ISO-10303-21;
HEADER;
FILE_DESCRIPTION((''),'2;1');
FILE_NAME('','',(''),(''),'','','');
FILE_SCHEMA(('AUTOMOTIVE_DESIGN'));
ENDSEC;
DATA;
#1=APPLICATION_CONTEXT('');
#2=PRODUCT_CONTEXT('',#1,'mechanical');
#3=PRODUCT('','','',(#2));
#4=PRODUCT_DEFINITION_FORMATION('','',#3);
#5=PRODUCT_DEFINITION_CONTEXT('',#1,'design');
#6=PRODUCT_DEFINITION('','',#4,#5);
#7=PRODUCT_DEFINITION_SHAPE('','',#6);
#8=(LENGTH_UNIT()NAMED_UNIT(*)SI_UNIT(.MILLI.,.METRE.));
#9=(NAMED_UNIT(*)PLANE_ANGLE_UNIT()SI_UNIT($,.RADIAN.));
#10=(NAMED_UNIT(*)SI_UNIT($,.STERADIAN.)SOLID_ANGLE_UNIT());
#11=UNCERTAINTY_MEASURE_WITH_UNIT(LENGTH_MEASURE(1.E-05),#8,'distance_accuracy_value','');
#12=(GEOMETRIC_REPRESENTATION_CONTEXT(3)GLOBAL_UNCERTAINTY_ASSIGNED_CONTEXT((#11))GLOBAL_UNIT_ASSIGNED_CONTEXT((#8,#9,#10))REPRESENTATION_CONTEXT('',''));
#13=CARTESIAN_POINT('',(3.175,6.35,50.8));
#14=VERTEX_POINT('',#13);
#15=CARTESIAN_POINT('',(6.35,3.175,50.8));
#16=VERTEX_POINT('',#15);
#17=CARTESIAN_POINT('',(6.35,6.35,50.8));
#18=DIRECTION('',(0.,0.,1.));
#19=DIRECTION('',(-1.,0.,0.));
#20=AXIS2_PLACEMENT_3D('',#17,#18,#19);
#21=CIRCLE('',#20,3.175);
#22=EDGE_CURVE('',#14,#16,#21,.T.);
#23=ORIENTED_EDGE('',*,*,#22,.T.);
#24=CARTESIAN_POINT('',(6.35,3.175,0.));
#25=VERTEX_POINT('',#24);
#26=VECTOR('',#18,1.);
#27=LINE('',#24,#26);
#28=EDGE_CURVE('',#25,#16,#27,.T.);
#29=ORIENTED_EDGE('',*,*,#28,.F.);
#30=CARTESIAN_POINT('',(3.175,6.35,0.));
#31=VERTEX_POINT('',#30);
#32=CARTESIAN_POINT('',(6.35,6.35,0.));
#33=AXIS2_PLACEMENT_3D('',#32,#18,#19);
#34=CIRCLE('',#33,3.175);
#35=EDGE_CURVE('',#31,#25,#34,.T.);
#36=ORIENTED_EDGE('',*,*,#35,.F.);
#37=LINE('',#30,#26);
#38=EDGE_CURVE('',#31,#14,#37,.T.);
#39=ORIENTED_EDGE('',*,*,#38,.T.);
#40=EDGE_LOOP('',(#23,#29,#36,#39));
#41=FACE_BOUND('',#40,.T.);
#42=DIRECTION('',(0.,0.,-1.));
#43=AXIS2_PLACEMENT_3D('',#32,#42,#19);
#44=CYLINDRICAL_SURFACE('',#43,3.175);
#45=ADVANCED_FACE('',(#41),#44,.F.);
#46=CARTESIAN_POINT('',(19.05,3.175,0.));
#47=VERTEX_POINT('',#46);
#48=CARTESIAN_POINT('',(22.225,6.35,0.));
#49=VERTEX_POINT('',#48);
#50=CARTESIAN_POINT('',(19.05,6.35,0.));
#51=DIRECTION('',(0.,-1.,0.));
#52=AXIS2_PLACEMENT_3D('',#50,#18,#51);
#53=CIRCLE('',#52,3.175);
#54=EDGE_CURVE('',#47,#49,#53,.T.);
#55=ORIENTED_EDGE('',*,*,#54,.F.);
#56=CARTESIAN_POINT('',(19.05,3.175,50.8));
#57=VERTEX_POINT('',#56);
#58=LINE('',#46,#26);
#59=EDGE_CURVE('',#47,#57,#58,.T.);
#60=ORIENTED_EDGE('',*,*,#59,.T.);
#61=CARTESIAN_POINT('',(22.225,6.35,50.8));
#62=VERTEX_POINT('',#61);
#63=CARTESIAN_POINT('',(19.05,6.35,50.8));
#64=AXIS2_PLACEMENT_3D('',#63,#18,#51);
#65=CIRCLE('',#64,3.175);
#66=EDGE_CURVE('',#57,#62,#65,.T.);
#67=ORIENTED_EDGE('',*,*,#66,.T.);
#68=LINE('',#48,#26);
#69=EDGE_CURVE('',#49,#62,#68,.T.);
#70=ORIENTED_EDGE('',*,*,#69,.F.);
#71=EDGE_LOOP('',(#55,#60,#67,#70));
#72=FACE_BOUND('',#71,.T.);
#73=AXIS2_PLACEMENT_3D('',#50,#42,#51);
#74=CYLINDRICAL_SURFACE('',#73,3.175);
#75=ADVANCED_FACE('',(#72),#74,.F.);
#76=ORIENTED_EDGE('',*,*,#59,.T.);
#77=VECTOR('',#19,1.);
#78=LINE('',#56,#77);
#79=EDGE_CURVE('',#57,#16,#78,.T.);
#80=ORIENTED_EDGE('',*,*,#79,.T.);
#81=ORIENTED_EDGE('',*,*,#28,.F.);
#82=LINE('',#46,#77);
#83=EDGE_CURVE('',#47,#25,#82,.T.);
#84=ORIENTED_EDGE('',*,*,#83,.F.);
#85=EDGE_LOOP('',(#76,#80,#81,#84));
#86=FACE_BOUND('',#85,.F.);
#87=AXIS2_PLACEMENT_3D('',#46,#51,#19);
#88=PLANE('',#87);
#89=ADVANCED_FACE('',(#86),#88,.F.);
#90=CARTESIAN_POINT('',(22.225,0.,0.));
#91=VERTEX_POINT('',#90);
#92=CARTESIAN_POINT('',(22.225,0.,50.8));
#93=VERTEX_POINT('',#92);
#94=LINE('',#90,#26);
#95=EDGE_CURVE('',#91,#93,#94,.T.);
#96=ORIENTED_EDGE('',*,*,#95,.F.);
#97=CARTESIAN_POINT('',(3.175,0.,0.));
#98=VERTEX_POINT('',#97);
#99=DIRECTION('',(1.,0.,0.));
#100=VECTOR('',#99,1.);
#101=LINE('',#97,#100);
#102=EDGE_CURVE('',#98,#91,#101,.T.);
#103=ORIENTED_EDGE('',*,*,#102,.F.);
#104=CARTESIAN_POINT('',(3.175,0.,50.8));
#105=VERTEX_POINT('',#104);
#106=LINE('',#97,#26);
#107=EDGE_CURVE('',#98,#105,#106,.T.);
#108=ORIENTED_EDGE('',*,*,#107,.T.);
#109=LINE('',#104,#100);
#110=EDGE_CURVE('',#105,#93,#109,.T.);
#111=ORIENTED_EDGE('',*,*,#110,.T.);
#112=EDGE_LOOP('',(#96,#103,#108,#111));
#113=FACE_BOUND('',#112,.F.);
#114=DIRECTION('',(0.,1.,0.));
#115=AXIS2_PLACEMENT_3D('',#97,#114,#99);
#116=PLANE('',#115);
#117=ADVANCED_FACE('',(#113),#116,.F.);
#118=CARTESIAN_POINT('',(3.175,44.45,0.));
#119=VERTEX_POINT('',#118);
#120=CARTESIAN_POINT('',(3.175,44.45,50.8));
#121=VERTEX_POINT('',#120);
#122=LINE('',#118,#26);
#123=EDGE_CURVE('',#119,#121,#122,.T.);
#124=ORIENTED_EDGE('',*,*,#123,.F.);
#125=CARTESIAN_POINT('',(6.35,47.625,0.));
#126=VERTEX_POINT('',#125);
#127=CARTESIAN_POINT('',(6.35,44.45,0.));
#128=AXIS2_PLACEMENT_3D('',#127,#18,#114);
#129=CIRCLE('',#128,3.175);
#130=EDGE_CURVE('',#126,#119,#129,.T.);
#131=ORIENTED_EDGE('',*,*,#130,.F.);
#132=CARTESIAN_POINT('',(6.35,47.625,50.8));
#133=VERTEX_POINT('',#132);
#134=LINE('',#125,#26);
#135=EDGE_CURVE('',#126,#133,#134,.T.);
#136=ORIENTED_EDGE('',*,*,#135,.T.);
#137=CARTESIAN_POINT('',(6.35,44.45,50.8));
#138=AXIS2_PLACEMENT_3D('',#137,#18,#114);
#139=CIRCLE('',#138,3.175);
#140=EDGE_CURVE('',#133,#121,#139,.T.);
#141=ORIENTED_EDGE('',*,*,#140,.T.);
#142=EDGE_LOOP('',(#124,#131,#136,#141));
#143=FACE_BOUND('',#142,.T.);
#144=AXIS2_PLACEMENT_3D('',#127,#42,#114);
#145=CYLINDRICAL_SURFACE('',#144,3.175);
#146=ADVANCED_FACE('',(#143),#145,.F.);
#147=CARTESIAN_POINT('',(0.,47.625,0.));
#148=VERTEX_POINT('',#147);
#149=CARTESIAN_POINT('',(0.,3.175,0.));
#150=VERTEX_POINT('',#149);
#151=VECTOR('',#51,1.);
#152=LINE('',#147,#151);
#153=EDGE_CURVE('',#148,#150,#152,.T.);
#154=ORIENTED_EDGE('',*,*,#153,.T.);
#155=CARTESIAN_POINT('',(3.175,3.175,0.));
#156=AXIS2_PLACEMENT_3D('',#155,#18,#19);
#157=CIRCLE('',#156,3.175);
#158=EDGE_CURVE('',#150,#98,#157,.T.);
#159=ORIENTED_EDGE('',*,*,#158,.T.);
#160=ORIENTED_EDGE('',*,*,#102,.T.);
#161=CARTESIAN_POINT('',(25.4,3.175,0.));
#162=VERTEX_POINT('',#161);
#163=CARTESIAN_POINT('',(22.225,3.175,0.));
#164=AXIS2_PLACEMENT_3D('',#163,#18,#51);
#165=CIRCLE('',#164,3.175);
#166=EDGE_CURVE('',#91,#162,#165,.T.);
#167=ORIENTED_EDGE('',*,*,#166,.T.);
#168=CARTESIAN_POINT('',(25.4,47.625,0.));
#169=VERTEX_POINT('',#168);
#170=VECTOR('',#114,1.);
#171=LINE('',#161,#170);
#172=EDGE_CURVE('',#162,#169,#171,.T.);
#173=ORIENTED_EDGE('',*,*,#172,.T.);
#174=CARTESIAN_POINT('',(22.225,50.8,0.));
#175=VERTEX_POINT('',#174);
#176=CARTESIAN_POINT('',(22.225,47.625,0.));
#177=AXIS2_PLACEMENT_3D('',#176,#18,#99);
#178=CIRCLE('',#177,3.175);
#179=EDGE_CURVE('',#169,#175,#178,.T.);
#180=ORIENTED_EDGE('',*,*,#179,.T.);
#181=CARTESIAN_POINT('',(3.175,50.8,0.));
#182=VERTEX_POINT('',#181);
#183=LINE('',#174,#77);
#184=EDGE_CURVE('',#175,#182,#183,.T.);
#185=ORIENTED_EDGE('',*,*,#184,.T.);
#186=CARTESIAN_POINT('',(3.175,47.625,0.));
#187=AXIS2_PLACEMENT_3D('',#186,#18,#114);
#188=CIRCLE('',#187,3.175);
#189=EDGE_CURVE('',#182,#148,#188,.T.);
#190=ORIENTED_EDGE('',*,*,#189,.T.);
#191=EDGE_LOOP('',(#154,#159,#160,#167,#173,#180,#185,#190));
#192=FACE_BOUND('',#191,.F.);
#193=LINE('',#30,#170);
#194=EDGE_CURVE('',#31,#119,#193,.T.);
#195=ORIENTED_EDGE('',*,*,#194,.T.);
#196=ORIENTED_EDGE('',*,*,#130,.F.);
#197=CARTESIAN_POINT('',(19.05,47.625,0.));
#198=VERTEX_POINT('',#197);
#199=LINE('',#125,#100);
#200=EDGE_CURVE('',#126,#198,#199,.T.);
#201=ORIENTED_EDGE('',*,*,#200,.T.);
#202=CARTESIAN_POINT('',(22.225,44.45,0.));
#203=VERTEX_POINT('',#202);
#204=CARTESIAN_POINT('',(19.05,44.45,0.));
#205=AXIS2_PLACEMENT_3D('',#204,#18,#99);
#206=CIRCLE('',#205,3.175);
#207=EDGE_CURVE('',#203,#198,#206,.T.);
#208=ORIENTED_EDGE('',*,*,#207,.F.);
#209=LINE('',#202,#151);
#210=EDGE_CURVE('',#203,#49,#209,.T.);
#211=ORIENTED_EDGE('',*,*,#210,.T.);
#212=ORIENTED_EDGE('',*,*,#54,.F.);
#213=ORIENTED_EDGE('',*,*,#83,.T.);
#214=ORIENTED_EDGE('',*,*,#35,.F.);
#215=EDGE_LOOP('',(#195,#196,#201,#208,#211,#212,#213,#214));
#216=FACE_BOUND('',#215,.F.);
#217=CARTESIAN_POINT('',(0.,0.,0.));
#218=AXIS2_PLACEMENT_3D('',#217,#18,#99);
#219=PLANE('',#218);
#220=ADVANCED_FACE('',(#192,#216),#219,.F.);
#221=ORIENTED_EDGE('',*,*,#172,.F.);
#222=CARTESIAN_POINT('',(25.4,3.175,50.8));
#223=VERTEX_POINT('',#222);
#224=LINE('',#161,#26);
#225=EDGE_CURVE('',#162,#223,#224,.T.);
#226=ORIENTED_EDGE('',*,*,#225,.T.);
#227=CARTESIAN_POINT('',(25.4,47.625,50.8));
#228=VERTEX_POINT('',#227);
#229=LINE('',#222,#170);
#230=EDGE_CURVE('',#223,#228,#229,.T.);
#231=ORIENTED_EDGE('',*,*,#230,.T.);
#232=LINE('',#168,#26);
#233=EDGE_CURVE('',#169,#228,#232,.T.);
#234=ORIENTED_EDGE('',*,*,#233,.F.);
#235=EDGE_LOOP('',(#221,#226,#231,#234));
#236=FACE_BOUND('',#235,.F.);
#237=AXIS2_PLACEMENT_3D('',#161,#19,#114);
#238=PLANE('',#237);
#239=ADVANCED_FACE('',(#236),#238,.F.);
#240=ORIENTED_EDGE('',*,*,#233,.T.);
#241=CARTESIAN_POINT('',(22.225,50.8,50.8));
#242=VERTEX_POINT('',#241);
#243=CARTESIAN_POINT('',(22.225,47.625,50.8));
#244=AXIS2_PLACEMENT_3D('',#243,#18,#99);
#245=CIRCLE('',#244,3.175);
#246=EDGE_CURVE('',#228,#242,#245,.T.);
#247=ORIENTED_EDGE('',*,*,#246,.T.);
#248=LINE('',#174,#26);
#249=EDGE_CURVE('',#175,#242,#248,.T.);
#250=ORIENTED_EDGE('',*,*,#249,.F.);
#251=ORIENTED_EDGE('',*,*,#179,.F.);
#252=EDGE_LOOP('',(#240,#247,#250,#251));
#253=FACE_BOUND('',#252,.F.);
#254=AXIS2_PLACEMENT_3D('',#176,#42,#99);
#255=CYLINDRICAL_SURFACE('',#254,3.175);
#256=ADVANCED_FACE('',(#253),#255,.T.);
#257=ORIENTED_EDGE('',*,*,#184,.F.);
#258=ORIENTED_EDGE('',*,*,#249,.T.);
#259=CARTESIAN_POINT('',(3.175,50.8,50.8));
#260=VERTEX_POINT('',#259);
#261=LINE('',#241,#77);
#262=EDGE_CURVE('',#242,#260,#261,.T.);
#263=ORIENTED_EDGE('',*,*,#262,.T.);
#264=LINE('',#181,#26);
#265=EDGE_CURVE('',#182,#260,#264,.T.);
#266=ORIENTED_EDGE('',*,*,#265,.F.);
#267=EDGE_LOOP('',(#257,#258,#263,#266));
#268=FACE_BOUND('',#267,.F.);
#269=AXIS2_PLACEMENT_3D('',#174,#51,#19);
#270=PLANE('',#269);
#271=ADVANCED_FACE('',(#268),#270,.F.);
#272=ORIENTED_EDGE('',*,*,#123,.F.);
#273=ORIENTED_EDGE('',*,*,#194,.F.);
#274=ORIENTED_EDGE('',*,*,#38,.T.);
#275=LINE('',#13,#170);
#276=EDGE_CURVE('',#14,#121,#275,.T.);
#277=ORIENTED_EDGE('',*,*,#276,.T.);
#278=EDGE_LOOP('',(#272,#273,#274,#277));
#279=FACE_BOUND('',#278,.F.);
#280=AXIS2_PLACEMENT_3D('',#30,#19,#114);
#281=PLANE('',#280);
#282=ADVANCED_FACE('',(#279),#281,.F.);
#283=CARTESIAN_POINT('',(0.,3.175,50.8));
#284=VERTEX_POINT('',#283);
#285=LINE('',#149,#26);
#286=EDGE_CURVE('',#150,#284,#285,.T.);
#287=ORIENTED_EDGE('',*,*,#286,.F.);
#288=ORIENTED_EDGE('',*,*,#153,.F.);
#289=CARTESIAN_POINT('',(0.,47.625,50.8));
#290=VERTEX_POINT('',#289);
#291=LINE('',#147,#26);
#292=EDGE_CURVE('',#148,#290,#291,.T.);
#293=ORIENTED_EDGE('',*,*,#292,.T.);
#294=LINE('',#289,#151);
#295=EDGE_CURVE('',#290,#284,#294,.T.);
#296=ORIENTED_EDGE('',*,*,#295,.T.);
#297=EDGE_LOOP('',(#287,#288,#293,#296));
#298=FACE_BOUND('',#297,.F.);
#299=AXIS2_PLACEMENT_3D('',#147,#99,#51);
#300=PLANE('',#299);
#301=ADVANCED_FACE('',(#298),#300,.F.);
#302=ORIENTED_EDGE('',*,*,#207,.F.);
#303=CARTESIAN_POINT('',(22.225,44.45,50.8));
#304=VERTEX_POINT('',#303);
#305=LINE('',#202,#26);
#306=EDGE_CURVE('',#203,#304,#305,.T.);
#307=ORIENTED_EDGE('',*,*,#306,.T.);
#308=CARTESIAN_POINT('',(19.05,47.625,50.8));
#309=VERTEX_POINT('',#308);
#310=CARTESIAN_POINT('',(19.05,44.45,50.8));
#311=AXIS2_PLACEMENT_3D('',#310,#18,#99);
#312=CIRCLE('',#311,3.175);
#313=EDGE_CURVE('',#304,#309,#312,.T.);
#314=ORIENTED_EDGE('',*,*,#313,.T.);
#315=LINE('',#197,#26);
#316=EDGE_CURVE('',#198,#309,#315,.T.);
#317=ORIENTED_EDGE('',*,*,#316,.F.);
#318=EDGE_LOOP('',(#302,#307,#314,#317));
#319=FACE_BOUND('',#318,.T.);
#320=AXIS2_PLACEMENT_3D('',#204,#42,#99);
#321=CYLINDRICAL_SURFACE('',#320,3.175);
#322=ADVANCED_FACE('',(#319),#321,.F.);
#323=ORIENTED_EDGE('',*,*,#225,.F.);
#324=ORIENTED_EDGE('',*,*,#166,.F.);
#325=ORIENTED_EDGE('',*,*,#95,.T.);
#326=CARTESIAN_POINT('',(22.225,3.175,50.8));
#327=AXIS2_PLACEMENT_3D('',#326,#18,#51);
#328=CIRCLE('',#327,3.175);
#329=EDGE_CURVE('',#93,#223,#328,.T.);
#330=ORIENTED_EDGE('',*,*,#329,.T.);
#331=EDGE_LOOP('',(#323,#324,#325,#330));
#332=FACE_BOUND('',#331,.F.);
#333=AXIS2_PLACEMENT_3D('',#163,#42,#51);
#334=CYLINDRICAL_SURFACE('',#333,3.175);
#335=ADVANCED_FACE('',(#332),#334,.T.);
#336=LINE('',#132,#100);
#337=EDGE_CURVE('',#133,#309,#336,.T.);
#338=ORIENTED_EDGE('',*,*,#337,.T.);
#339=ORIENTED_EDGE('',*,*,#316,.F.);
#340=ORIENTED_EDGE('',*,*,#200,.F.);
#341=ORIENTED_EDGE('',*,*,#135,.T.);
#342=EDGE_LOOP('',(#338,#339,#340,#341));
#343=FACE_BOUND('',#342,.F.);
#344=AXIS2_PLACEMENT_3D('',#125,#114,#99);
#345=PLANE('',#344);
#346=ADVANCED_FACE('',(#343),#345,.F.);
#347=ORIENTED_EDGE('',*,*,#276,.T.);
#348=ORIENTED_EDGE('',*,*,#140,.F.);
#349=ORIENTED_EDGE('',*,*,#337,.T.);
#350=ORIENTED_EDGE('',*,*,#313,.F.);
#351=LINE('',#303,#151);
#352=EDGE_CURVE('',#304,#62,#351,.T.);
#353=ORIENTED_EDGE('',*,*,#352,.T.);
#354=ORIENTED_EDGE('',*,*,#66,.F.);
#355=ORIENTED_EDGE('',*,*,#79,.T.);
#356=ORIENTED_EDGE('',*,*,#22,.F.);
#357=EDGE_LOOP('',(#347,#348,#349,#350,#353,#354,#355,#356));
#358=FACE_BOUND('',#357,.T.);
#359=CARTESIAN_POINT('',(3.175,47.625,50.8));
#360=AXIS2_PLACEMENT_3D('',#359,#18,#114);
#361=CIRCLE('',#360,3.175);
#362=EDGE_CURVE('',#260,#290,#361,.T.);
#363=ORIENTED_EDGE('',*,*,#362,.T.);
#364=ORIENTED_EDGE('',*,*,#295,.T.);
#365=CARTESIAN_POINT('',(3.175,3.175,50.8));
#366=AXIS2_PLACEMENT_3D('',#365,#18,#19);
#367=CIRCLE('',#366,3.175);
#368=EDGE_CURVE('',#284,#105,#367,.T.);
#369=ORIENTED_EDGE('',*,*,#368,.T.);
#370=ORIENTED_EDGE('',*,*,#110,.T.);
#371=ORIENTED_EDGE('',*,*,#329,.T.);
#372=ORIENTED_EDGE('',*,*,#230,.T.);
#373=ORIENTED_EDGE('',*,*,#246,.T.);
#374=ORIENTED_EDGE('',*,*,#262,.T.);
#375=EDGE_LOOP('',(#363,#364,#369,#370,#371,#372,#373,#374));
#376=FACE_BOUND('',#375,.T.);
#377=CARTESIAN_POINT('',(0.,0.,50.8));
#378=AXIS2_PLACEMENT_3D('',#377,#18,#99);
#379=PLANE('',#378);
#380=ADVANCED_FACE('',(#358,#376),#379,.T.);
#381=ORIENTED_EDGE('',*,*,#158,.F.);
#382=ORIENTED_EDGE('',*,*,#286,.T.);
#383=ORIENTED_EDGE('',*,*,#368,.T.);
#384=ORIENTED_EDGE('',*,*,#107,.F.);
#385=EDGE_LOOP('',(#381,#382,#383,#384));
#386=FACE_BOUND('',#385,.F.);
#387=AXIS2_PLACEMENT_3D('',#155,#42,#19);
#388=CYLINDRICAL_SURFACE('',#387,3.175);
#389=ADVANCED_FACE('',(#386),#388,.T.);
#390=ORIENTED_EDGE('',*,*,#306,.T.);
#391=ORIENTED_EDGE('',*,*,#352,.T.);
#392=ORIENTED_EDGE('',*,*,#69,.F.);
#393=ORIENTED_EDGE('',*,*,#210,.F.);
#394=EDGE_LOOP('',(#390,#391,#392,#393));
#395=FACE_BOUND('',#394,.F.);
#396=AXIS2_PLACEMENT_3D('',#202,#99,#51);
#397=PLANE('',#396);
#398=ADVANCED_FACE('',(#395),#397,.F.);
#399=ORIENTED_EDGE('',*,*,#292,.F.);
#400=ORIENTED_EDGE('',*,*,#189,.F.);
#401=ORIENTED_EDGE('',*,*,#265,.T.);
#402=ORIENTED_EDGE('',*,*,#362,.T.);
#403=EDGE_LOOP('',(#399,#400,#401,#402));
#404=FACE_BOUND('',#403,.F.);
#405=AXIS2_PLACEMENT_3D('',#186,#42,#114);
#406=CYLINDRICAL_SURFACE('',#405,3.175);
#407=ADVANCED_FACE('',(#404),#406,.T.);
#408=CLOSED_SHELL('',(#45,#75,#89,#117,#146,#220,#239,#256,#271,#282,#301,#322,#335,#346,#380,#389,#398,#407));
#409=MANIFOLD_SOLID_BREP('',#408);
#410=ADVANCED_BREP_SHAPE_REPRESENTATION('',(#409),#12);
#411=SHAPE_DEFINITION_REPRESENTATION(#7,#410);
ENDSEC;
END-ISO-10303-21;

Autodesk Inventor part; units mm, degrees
ref_plane "YZ Plane" through (0, 0, 0) normal (1, 0, 0) x (0, 1, 0)
ref_plane "XZ Plane" through (0, 0, 0) normal (0, 1, 0) x (-1, 0, 0)
ref_plane "XY Plane" through (0, 0, 0) normal (0, 0, 1) x (1, 0, 0)
sketch "Sketch1" plane through (0, 0, 0) normal (0, 0, 1) x (1, 0, 0)
  line L0 (3.175, 0) -> (22.225, 0)
  line L1 (25.4, 3.175) -> (25.4, 47.625)
  line L2 (22.225, 50.8) -> (3.175, 50.8)
  line L3 (0, 47.625) -> (0, 3.175)
  arc A0 (3.175, 50.8) -> (0, 47.625) centre (3.175, 47.625) ccw
  arc A1 (25.4, 47.625) -> (22.225, 50.8) centre (22.225, 47.625) ccw
  arc A2 (22.225, 0) -> (25.4, 3.175) centre (22.225, 3.175) ccw
  arc A3 (0, 3.175) -> (3.175, 0) centre (3.175, 3.175) ccw
  line L4 (6.35, 47.625) -> (19.05, 47.625)
  line L5 (22.225, 44.45) -> (22.225, 6.35)
  line L6 (19.05, 3.175) -> (6.35, 3.175)
  line L7 (3.175, 6.35) -> (3.175, 44.45)
  arc A4 (6.35, 47.625) -> (3.175, 44.45) centre (6.35, 44.45) ccw
  arc A5 (22.225, 44.45) -> (19.05, 47.625) centre (19.05, 44.45) ccw
  arc A6 (3.175, 6.35) -> (6.35, 3.175) centre (6.35, 6.35) ccw
  arc A7 (19.05, 3.175) -> (22.225, 6.35) centre (19.05, 6.35) ccw
  point P0 (0, 0)
  point P1 (25.4, 0)
  point P2 (0, 50.8)
  dimension "d0" = 50.8
  dimension "d1" = 25.4
  dimension "d2" = 3.175
  dimension "d3" = 3.175
  dimension "d4" = 3.175
  dimension "d5" = 3.175
  dimension "d6" = 3.175
  dimension "d7" = 3.175
  dimension "d8" = 3.175
  dimension "d9" = 3.175
  dimension "d10" = 3.175
extrude "Extrusion1" add sketch "Sketch1" along normal blind 50.8
properties part number "O channel 2 inch"
